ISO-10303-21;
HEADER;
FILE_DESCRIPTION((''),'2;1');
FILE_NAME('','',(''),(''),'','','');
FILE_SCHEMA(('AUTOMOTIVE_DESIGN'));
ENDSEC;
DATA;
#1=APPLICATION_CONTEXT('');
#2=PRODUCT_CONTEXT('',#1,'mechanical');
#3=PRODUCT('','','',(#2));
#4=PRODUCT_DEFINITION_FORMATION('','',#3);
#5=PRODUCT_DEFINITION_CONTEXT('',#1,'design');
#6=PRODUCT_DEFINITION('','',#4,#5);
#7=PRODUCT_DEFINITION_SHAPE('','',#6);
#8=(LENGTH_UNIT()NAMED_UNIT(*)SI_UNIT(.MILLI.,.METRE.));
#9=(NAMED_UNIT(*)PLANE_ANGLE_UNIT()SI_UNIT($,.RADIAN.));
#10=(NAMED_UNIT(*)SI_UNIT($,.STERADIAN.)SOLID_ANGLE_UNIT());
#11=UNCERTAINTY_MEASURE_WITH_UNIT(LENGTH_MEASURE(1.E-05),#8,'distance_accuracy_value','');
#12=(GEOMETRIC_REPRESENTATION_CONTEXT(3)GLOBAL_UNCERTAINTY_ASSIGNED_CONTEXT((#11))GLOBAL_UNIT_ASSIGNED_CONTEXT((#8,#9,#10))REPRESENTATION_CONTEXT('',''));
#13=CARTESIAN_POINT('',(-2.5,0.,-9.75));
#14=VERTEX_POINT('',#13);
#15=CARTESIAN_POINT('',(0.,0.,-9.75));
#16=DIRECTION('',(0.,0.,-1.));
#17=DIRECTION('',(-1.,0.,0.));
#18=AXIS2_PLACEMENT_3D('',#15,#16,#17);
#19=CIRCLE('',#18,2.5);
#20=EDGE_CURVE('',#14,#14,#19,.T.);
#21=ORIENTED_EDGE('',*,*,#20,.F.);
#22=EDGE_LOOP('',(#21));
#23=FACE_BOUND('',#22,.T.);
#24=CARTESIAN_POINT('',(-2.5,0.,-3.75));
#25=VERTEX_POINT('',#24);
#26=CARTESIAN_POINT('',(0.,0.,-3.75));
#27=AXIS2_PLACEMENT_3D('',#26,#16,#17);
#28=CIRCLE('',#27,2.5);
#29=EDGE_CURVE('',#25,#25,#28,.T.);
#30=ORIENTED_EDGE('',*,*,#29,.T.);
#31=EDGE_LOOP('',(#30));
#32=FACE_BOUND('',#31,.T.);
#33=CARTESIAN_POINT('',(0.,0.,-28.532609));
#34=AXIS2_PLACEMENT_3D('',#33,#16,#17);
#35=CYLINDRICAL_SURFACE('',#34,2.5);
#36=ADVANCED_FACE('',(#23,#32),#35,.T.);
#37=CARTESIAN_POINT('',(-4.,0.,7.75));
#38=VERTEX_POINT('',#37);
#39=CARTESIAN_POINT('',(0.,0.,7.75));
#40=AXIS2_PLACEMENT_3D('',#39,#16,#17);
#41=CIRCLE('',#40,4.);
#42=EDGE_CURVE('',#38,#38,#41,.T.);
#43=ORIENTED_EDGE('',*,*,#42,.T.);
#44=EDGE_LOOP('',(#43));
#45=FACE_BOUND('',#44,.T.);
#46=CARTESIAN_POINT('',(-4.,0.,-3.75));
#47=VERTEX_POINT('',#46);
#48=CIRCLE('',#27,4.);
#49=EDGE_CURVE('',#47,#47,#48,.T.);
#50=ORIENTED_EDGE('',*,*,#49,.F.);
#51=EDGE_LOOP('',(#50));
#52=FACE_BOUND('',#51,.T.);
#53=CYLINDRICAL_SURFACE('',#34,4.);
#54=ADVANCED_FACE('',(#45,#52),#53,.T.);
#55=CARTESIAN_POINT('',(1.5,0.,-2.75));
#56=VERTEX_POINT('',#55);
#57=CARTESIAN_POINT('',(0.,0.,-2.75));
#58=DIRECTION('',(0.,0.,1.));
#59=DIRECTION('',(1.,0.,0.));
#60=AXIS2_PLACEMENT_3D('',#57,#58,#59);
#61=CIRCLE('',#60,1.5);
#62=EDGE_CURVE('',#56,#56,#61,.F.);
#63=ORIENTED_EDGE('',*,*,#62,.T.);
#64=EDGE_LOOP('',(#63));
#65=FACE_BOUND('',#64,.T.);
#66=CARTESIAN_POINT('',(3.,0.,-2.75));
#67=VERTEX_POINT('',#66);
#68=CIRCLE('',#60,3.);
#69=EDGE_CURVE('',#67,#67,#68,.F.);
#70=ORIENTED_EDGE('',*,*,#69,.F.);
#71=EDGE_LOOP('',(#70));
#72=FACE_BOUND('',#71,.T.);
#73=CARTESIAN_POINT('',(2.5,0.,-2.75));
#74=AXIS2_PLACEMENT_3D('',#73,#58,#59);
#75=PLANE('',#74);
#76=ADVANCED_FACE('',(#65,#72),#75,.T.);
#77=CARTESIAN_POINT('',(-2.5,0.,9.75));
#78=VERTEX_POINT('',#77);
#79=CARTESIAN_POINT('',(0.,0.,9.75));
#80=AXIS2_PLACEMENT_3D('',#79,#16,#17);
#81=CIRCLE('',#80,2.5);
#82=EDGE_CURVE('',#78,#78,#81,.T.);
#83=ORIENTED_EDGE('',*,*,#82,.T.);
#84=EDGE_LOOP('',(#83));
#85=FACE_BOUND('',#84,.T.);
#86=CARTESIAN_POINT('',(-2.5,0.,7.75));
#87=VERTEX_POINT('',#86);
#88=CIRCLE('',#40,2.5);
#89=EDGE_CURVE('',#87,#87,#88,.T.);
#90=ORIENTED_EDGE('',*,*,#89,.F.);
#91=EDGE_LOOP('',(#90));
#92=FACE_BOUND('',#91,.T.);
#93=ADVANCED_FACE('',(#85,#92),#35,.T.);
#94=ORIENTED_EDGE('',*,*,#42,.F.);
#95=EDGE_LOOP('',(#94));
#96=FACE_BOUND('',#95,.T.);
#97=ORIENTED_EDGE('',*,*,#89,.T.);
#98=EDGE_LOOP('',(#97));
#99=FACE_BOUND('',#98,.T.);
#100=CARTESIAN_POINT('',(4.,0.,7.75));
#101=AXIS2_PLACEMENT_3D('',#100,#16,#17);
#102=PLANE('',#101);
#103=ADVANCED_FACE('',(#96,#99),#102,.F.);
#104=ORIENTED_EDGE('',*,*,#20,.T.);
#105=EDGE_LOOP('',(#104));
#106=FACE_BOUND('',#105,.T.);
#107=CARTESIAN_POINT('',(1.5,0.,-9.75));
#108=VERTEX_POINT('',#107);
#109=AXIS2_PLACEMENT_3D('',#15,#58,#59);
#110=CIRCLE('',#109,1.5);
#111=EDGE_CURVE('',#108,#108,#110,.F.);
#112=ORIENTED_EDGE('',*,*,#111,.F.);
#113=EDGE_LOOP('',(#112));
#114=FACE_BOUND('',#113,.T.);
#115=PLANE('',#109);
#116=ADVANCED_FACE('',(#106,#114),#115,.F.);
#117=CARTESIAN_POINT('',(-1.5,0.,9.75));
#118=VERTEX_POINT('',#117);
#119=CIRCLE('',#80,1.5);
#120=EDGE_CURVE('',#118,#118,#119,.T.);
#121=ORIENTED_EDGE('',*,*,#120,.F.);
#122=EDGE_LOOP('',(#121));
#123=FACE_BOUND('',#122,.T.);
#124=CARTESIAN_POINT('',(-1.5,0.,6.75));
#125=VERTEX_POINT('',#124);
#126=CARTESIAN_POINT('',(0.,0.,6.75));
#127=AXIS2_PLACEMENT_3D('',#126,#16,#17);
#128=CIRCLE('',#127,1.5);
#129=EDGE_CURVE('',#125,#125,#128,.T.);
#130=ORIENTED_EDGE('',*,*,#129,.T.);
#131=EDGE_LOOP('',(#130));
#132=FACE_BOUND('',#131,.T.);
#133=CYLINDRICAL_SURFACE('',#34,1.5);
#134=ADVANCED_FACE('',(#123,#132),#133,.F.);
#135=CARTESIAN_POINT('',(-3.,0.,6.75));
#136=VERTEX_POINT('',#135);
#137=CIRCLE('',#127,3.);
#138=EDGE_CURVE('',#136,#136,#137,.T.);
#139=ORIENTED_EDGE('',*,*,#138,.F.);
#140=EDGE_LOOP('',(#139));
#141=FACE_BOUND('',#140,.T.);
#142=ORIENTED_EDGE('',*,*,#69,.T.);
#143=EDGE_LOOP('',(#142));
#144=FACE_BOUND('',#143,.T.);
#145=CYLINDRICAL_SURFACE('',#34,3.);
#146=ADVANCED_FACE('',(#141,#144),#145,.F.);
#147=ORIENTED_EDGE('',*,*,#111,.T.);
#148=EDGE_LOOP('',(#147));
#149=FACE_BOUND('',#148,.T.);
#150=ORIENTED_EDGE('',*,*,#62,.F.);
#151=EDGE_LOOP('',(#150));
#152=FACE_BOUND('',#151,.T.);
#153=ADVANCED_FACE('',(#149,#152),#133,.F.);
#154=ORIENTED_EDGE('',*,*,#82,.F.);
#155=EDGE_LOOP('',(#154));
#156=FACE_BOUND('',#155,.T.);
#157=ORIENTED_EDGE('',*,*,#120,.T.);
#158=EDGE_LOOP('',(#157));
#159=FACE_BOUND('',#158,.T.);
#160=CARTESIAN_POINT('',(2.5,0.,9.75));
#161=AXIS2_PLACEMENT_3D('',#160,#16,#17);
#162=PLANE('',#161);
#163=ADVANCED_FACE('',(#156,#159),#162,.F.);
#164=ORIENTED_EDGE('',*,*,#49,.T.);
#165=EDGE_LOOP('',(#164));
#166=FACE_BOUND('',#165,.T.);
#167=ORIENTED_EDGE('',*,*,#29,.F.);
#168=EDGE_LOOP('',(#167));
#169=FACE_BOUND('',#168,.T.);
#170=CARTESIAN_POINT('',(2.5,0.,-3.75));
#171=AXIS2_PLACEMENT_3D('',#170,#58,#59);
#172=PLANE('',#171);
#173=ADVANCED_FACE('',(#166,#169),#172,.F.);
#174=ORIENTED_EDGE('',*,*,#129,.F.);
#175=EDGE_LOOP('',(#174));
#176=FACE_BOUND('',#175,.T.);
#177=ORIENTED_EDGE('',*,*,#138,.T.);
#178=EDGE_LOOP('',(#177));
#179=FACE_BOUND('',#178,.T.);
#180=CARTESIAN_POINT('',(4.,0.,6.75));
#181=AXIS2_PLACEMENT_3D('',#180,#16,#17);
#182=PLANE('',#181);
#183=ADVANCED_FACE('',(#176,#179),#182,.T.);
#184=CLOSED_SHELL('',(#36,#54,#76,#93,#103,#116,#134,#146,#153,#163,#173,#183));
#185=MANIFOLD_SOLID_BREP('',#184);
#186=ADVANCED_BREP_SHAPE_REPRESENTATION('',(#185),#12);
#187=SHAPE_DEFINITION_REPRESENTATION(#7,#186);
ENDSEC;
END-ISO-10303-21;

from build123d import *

# Parameters (mm, degrees)
SHELL1_T = -1


with BuildPart() as part:
    # Sketch1 → Revolve1 (revolve)
    with BuildSketch(Plane(origin=(0, 0, 0), x_dir=(1, 0, 0), z_dir=(0, 1, 0)), mode=Mode.PRIVATE) as revolve1_sk:
        Polygon((0, 9.75), (2.5, 9.75), (2.5, 3.75), (4, 3.75), (4, -7.75), (2.5, -7.75), (2.5, -9.75), (0, -9.75), align=None)
    revolve(revolve1_sk.sketch.rotate(Axis((0, 0, -28.532608696), (0, 0, 1)), 180), axis=Axis((0, 0, -28.532608696), (0, 0, 1)))

    # Shell1
    shell1_openings = [part.faces().sort_by_distance(p)[0] for p in [
        (0, 0, 9.75),
        (0, 0, -9.75),
    ]]
    offset(amount=SHELL1_T, openings=shell1_openings, kind=Kind.INTERSECTION)


solid = part.part
